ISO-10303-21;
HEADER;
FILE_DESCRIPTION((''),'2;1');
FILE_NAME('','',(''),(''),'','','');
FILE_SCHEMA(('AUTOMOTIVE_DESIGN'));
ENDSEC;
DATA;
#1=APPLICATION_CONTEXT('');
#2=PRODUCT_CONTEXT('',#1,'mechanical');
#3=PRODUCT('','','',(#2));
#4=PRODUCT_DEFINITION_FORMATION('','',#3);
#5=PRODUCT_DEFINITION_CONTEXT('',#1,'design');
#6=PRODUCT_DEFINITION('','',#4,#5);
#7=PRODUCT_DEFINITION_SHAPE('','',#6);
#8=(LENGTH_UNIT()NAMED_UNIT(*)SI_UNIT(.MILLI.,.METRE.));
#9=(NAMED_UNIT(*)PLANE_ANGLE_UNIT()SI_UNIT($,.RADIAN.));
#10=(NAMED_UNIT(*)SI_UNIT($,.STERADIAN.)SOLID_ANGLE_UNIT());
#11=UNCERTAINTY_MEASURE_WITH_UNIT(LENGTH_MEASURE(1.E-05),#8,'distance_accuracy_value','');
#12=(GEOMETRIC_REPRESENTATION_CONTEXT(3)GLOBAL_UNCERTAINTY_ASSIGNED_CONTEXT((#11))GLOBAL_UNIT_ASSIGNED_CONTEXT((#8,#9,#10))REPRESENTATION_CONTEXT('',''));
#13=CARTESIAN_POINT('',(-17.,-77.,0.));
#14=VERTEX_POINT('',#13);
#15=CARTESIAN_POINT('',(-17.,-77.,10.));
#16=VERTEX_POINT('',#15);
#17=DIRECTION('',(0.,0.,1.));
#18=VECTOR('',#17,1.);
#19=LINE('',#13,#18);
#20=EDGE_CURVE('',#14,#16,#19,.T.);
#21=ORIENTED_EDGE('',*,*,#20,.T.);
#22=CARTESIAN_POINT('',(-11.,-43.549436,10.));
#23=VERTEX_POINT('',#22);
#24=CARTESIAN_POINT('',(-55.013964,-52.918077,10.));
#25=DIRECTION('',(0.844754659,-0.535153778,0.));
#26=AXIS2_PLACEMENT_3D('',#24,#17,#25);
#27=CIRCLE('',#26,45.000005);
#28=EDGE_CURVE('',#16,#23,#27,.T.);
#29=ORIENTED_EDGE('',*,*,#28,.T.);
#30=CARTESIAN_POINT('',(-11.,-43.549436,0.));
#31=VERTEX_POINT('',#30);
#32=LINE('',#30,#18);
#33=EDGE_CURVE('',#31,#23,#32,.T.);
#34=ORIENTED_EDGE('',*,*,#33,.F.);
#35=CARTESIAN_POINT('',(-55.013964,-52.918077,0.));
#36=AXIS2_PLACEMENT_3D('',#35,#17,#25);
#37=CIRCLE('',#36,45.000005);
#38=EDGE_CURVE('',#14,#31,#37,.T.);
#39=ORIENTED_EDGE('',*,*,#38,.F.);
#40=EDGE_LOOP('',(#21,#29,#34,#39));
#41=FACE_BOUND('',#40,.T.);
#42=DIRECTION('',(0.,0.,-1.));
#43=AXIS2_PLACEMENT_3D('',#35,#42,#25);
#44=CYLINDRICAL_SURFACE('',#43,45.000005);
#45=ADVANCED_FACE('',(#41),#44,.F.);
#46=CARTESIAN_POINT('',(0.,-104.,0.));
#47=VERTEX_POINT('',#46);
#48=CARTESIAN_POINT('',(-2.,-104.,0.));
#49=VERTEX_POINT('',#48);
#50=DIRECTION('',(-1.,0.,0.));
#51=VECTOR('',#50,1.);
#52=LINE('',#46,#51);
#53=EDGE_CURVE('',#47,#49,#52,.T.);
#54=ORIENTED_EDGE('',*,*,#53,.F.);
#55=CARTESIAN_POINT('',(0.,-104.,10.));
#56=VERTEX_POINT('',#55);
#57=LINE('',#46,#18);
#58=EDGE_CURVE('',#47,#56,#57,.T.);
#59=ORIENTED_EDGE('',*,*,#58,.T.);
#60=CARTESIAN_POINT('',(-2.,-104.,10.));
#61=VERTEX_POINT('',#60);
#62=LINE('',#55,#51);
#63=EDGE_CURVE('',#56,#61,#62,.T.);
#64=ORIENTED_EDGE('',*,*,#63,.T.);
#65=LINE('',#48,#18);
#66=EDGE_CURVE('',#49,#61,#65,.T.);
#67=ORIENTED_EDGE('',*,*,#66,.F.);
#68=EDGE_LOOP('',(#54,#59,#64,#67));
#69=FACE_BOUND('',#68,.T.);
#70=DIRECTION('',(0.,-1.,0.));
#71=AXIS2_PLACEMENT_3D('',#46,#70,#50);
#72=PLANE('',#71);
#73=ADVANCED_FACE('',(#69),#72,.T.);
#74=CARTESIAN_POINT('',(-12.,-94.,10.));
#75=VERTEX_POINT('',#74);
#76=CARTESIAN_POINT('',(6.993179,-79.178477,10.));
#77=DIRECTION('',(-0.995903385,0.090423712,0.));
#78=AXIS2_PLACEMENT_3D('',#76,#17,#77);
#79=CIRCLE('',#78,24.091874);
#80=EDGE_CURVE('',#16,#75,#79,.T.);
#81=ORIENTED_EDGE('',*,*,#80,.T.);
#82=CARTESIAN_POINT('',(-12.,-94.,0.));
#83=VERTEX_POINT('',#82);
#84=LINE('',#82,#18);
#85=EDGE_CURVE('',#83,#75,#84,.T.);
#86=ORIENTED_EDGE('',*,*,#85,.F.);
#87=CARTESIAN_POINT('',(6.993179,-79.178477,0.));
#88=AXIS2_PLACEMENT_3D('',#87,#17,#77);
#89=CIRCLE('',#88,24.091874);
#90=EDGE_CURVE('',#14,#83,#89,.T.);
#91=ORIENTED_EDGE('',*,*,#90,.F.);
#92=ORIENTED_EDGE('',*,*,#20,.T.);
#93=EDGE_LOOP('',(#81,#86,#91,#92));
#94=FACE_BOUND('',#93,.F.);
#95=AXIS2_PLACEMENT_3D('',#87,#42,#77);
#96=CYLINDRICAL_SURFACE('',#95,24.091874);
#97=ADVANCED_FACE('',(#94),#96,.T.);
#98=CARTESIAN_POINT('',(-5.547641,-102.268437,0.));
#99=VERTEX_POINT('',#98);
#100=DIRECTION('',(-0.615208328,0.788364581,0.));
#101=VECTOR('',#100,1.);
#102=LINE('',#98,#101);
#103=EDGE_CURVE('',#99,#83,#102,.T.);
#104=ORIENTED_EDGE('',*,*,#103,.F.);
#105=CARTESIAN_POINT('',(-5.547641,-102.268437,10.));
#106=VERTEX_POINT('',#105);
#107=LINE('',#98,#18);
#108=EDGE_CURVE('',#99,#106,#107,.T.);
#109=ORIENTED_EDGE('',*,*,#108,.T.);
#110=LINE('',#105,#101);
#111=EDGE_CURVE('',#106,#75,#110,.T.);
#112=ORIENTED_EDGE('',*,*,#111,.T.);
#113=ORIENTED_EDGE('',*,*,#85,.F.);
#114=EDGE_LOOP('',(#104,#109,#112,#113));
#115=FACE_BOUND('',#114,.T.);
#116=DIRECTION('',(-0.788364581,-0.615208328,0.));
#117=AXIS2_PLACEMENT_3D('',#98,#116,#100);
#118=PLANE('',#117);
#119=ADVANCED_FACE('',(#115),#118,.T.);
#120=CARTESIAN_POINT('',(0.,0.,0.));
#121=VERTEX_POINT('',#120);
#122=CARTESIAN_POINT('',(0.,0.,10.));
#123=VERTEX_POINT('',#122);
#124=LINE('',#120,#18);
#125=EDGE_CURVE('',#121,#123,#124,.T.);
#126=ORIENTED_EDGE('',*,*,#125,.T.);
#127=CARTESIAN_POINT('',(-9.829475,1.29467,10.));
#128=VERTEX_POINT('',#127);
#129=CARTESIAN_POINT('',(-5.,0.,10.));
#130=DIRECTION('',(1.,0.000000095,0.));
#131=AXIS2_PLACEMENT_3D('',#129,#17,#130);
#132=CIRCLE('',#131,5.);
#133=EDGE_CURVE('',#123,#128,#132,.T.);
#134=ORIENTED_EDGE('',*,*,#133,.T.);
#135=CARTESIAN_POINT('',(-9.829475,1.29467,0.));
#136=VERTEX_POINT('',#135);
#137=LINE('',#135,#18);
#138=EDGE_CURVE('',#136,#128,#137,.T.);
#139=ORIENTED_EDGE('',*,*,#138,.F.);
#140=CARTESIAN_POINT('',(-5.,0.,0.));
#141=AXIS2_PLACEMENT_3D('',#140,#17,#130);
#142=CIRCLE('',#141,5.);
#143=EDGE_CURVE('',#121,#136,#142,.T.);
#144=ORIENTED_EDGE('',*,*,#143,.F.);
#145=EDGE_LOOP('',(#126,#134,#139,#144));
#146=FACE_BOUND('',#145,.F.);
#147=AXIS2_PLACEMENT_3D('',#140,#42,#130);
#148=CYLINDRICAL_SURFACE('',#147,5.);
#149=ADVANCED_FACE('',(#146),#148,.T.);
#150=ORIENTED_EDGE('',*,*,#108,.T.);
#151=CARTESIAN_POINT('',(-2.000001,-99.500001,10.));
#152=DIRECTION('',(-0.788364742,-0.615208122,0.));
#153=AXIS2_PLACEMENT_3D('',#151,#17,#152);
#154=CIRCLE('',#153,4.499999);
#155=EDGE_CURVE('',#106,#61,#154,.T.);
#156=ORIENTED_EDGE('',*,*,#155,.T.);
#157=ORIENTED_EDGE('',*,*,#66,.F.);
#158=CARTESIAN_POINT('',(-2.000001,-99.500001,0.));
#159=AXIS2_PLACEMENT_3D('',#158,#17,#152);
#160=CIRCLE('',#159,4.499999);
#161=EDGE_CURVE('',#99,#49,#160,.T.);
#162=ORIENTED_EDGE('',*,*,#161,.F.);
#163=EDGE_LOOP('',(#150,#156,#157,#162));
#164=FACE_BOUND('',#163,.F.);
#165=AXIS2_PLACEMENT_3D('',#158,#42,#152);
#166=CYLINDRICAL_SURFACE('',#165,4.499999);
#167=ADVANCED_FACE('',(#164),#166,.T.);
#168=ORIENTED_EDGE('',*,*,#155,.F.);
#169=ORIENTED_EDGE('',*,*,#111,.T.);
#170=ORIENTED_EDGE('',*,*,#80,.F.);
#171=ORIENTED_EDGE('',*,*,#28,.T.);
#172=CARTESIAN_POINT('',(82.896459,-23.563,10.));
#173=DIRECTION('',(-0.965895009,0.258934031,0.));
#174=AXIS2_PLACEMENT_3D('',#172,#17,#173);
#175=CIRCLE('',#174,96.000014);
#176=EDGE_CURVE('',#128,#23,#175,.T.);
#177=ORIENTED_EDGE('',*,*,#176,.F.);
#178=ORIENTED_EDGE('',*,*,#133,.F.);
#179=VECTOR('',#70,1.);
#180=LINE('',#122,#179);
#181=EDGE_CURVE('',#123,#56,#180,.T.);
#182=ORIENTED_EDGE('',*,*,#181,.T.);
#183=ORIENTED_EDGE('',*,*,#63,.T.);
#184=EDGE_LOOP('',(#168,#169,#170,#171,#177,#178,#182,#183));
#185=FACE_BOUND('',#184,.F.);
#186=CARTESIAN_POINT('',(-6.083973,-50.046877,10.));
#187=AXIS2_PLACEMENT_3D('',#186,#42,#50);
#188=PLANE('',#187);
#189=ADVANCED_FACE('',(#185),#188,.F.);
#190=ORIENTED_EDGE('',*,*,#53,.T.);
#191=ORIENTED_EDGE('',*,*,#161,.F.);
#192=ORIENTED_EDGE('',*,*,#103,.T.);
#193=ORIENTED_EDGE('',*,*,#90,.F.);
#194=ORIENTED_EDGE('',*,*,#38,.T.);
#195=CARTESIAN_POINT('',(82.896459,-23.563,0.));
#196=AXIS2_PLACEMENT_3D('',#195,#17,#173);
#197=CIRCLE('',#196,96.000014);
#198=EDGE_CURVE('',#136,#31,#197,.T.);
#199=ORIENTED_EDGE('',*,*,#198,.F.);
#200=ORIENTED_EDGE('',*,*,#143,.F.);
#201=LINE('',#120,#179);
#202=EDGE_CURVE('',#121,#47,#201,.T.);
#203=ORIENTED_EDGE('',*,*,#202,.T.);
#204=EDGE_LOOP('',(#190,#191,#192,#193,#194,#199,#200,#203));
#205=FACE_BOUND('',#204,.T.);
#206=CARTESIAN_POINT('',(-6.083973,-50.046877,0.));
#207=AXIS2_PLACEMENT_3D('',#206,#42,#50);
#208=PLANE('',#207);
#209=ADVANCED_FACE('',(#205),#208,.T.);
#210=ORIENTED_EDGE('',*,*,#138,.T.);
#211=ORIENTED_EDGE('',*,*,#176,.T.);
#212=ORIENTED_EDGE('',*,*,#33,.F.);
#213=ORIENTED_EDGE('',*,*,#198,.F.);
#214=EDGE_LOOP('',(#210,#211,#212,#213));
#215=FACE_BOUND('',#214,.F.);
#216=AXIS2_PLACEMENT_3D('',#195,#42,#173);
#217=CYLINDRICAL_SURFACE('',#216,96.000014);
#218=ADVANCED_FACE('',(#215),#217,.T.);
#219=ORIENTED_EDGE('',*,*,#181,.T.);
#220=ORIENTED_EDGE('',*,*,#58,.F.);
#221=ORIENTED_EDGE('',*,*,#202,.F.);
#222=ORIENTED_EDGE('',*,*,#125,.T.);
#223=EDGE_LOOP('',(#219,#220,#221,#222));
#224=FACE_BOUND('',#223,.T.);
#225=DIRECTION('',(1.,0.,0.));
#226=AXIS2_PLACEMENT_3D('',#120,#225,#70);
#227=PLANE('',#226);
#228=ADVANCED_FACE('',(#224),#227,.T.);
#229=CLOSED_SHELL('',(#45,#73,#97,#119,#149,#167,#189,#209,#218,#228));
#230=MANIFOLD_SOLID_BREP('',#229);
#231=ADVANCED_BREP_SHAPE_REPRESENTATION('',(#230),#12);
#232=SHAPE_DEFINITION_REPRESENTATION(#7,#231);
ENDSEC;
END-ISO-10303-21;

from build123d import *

# Parameters (mm, degrees)
PAD_DEPTH = 10


with BuildPart() as part:
    # Sketch → Pad (new body)
    with BuildSketch(Plane.XY):
        with BuildLine():
            Line((0, 0), (0, -104))
            Line((0, -104), (-2, -104))
            ThreePointArc((-5.547641, -102.268437), (-3.973833, -103.544006), (-2, -104))
            Line((-5.547641, -102.268437), (-12, -94))
            ThreePointArc((-17, -77), (-16.119734, -85.976392), (-12, -94))
            ThreePointArc((-17, -77), (-10.720846, -60.862897), (-11, -43.549436))
            ThreePointArc((-9.829475, 1.29467), (-13.070868, -21.058052), (-11, -43.549436))
            ThreePointArc((0, 0), (-4.347074, 4.957185), (-9.829475, 1.29467))
        make_face()
    extrude(amount=PAD_DEPTH)


solid = part.part
